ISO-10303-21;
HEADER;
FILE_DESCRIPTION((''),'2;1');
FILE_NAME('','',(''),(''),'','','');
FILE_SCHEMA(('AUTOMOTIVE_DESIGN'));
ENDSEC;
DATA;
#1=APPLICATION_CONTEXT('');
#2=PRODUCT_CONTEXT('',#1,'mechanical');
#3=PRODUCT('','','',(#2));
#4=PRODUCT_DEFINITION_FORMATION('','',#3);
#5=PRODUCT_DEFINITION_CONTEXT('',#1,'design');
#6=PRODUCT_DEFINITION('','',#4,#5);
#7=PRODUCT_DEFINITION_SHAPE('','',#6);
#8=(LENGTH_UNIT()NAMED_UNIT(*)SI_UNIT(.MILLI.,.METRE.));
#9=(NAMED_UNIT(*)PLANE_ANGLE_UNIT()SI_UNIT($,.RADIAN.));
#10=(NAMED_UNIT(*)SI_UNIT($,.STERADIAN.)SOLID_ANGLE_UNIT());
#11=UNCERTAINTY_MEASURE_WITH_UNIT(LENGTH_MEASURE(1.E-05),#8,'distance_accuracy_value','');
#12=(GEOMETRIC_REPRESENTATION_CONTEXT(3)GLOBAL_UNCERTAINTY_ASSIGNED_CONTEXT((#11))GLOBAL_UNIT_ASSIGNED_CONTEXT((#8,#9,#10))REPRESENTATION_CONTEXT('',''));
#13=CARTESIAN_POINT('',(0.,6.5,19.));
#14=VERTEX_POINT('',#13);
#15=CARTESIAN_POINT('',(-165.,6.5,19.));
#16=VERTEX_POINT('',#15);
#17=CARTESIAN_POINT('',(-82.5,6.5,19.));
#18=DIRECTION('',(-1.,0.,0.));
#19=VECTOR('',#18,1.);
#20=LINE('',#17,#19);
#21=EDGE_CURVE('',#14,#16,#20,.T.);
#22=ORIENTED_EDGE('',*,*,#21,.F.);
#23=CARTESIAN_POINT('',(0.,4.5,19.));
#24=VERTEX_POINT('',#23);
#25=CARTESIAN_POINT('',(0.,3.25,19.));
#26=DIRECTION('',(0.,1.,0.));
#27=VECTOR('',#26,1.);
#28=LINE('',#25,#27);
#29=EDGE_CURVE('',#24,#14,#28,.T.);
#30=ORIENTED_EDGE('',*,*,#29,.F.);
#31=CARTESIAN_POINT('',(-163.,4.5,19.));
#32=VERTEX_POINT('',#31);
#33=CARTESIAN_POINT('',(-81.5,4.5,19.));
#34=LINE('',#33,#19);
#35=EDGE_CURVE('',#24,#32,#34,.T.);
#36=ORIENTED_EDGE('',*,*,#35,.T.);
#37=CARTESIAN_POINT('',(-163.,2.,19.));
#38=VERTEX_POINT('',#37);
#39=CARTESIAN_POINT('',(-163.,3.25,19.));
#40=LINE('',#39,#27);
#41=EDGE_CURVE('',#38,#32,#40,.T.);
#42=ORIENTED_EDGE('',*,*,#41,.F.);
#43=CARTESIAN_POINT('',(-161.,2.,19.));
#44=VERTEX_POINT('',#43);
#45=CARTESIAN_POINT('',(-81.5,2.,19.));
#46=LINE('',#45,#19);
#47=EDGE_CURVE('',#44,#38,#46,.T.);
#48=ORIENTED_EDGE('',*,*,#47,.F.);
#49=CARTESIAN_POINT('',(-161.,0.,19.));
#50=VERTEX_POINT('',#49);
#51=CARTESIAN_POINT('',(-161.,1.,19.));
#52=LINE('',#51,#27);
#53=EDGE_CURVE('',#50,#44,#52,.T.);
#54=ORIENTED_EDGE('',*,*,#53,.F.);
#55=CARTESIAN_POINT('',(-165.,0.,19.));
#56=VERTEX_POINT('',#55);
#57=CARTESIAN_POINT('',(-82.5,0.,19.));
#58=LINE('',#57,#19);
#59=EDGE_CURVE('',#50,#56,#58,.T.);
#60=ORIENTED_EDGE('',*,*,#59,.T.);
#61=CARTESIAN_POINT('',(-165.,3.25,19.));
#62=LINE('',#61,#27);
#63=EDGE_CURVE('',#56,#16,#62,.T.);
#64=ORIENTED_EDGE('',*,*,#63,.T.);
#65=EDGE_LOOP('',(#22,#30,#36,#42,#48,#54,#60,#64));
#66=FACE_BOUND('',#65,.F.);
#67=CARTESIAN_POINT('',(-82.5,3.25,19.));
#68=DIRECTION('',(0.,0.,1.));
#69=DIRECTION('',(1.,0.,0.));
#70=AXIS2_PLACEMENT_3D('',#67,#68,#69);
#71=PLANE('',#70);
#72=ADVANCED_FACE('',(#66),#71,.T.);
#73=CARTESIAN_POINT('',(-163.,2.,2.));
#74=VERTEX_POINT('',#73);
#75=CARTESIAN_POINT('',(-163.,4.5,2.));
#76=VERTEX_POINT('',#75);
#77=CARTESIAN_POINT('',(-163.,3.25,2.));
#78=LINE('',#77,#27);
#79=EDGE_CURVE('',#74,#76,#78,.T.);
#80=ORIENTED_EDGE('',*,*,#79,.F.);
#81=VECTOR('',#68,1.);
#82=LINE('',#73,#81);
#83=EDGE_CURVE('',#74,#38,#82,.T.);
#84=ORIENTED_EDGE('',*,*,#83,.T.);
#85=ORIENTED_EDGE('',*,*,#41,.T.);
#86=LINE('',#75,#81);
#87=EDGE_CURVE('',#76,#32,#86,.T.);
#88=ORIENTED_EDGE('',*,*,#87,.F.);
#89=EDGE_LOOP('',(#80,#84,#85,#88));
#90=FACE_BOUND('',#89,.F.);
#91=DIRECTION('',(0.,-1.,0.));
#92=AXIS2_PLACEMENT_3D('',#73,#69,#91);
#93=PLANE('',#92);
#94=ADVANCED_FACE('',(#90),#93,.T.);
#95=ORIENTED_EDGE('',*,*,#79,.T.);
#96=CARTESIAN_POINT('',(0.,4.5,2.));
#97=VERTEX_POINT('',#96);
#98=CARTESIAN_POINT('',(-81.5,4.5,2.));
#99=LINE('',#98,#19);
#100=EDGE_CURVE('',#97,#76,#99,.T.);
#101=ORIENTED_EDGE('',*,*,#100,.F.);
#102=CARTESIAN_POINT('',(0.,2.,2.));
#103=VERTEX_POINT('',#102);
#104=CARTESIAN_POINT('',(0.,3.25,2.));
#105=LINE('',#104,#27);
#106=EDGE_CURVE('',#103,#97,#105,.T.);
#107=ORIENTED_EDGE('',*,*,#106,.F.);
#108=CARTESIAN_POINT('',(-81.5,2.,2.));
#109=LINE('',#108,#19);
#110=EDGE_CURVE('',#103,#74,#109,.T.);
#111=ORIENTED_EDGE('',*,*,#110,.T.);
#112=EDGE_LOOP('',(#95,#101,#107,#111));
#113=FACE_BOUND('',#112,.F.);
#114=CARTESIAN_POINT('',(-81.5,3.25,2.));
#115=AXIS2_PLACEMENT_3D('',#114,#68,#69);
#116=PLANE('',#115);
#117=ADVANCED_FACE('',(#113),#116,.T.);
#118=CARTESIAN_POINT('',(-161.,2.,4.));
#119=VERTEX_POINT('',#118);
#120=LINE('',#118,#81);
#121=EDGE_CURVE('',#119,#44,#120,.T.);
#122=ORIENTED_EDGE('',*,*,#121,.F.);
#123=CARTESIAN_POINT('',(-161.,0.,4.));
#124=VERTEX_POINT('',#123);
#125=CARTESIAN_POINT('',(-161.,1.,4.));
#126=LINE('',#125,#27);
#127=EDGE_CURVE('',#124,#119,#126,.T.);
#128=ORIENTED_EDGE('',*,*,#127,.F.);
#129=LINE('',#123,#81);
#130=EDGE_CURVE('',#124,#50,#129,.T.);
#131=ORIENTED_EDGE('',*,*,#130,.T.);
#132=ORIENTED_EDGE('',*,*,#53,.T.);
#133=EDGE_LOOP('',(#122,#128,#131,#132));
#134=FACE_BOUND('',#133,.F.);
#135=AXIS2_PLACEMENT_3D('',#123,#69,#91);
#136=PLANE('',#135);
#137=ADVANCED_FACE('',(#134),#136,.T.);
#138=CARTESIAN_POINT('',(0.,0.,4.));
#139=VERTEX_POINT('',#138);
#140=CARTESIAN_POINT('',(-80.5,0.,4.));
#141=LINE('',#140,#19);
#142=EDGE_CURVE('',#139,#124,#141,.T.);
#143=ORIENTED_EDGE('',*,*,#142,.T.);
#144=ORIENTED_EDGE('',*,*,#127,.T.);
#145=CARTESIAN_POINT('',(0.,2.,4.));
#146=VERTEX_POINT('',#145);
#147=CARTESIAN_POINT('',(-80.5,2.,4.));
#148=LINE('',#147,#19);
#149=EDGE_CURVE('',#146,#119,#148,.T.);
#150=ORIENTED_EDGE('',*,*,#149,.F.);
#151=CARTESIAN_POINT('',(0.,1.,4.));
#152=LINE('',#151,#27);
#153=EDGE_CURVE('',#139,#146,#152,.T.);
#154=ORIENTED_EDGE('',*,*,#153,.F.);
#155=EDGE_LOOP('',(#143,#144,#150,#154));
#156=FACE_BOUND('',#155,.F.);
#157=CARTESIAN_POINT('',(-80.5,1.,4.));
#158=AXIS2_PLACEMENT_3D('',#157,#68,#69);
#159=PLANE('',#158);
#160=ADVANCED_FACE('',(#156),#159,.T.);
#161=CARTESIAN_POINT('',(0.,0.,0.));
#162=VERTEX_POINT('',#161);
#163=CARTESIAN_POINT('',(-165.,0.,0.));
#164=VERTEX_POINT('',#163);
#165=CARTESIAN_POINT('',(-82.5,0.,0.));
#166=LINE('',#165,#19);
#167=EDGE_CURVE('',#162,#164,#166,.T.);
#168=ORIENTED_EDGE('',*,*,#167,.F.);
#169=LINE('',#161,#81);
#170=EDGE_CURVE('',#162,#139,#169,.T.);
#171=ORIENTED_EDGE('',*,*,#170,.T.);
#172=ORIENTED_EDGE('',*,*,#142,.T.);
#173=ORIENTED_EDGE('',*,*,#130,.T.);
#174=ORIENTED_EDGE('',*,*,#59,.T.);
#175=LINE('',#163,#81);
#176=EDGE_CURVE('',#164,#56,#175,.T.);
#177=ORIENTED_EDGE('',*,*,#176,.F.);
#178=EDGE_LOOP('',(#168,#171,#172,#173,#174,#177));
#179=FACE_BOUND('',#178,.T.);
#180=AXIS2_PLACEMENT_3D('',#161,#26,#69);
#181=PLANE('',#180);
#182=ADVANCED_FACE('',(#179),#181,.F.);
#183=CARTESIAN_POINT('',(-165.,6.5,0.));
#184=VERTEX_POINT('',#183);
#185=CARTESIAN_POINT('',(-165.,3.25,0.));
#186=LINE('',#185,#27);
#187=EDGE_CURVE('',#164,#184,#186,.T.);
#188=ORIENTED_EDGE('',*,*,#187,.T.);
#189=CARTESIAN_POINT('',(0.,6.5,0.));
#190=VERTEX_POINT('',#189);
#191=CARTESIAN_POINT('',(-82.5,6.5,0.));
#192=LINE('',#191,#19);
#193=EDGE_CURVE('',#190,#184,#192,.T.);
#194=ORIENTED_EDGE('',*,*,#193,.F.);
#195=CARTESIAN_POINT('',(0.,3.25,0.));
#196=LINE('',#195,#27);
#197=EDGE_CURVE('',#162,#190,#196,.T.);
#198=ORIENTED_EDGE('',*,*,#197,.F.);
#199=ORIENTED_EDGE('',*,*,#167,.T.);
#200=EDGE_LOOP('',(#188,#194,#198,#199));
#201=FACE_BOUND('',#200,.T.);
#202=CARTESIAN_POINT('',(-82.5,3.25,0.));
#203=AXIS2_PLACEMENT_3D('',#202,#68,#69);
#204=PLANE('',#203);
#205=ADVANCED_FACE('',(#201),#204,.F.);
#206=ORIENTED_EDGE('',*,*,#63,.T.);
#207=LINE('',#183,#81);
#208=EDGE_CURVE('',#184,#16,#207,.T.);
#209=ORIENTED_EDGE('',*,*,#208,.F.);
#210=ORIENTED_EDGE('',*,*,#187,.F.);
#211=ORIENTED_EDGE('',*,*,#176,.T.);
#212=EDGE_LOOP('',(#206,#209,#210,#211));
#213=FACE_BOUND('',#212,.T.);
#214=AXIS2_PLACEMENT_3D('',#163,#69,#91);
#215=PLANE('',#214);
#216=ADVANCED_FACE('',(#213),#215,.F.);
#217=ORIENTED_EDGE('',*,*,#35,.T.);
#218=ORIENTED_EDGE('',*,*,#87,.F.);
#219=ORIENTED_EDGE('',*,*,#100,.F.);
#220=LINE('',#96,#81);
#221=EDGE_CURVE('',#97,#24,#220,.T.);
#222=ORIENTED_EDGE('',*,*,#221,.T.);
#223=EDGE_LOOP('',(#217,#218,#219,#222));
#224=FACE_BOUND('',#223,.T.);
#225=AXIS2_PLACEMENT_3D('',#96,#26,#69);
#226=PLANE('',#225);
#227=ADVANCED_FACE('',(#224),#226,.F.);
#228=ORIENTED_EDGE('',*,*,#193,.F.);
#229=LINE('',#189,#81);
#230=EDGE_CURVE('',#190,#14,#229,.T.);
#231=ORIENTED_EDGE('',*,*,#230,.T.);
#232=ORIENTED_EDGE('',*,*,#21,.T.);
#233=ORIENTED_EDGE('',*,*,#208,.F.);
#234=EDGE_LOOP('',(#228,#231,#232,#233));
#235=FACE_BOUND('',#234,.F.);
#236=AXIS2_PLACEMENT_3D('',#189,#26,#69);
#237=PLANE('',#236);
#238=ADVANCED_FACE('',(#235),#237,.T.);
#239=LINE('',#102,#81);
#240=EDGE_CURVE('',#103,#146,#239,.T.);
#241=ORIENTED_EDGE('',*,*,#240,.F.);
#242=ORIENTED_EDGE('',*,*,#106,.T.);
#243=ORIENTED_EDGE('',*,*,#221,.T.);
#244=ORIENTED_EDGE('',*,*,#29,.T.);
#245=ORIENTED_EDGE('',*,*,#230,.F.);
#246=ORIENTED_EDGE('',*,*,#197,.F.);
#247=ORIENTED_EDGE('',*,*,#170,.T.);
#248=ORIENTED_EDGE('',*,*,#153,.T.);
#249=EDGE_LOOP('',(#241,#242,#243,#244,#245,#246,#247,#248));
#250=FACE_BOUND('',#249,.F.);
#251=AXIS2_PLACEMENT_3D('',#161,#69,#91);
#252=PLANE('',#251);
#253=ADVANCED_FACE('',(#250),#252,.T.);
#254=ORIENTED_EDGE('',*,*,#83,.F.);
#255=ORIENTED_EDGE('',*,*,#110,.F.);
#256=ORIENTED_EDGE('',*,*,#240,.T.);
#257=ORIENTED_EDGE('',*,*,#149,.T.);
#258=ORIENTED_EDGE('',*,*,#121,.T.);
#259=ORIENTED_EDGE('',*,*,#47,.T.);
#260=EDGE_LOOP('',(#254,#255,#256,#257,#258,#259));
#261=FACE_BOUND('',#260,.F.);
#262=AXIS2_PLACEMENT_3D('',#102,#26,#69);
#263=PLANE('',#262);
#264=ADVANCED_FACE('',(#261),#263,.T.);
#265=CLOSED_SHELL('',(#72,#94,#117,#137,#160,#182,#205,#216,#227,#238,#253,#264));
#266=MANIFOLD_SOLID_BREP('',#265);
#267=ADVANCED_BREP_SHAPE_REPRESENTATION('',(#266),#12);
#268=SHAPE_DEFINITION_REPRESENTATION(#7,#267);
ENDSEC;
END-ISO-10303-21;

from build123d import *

# Parameters (mm, degrees)
BOX002_W                       = 161
BOX002_H                       = 2
BOX002_DEPTH                   = 15
BOX001_W                       = 163
BOX001_H                       = 2.5
BOX001_DEPTH                   = 17
BOX_W                          = 165
BOX_H                          = 6.5
BOX_DEPTH                      = 19
PART_MIRRORING_PLACEMENT_ANGLE = 180


with BuildPart() as cube002:
    # Box002 → Box002 (new body)
    with BuildSketch(Plane.XY.offset(4)):
        with Locations((80.5, 1)):
            Rectangle(BOX002_W, BOX002_H)
    extrude(amount=BOX002_DEPTH)


with BuildPart() as cube001:
    # Box001 → Box001 (new body)
    with BuildSketch(Plane(origin=(0, 2, 2), x_dir=(1, 0, 0), z_dir=(0, 0, 1))):
        with Locations((81.5, 1.25)):
            Rectangle(BOX001_W, BOX001_H)
    extrude(amount=BOX001_DEPTH)


with BuildPart() as cut001:
    # Box → Box (new body)
    with BuildSketch(Plane.XY):
        with Locations((82.5, 3.25)):
            Rectangle(BOX_W, BOX_H)
    extrude(amount=BOX_DEPTH)

    # Cut: cut Cube001
    add(cube001.part, mode=Mode.SUBTRACT)

    # Cut001: cut Cube002
    add(cube002.part, mode=Mode.SUBTRACT)


with BuildPart() as part_mirroring:
    # Part__Mirroring: instance of Cut001
    add(cut001.part.mirror(Plane(origin=(0, 0, 0), x_dir=(0, 1, 0), z_dir=(0, 0, 1))))


with BuildPart() as part_mirroring_1:
    # Part__Mirroring placement: moved
    add(part_mirroring.part.rotate(Axis((0, 0, 0), (0, 1, 0)), PART_MIRRORING_PLACEMENT_ANGLE))


solid = part_mirroring_1.part
